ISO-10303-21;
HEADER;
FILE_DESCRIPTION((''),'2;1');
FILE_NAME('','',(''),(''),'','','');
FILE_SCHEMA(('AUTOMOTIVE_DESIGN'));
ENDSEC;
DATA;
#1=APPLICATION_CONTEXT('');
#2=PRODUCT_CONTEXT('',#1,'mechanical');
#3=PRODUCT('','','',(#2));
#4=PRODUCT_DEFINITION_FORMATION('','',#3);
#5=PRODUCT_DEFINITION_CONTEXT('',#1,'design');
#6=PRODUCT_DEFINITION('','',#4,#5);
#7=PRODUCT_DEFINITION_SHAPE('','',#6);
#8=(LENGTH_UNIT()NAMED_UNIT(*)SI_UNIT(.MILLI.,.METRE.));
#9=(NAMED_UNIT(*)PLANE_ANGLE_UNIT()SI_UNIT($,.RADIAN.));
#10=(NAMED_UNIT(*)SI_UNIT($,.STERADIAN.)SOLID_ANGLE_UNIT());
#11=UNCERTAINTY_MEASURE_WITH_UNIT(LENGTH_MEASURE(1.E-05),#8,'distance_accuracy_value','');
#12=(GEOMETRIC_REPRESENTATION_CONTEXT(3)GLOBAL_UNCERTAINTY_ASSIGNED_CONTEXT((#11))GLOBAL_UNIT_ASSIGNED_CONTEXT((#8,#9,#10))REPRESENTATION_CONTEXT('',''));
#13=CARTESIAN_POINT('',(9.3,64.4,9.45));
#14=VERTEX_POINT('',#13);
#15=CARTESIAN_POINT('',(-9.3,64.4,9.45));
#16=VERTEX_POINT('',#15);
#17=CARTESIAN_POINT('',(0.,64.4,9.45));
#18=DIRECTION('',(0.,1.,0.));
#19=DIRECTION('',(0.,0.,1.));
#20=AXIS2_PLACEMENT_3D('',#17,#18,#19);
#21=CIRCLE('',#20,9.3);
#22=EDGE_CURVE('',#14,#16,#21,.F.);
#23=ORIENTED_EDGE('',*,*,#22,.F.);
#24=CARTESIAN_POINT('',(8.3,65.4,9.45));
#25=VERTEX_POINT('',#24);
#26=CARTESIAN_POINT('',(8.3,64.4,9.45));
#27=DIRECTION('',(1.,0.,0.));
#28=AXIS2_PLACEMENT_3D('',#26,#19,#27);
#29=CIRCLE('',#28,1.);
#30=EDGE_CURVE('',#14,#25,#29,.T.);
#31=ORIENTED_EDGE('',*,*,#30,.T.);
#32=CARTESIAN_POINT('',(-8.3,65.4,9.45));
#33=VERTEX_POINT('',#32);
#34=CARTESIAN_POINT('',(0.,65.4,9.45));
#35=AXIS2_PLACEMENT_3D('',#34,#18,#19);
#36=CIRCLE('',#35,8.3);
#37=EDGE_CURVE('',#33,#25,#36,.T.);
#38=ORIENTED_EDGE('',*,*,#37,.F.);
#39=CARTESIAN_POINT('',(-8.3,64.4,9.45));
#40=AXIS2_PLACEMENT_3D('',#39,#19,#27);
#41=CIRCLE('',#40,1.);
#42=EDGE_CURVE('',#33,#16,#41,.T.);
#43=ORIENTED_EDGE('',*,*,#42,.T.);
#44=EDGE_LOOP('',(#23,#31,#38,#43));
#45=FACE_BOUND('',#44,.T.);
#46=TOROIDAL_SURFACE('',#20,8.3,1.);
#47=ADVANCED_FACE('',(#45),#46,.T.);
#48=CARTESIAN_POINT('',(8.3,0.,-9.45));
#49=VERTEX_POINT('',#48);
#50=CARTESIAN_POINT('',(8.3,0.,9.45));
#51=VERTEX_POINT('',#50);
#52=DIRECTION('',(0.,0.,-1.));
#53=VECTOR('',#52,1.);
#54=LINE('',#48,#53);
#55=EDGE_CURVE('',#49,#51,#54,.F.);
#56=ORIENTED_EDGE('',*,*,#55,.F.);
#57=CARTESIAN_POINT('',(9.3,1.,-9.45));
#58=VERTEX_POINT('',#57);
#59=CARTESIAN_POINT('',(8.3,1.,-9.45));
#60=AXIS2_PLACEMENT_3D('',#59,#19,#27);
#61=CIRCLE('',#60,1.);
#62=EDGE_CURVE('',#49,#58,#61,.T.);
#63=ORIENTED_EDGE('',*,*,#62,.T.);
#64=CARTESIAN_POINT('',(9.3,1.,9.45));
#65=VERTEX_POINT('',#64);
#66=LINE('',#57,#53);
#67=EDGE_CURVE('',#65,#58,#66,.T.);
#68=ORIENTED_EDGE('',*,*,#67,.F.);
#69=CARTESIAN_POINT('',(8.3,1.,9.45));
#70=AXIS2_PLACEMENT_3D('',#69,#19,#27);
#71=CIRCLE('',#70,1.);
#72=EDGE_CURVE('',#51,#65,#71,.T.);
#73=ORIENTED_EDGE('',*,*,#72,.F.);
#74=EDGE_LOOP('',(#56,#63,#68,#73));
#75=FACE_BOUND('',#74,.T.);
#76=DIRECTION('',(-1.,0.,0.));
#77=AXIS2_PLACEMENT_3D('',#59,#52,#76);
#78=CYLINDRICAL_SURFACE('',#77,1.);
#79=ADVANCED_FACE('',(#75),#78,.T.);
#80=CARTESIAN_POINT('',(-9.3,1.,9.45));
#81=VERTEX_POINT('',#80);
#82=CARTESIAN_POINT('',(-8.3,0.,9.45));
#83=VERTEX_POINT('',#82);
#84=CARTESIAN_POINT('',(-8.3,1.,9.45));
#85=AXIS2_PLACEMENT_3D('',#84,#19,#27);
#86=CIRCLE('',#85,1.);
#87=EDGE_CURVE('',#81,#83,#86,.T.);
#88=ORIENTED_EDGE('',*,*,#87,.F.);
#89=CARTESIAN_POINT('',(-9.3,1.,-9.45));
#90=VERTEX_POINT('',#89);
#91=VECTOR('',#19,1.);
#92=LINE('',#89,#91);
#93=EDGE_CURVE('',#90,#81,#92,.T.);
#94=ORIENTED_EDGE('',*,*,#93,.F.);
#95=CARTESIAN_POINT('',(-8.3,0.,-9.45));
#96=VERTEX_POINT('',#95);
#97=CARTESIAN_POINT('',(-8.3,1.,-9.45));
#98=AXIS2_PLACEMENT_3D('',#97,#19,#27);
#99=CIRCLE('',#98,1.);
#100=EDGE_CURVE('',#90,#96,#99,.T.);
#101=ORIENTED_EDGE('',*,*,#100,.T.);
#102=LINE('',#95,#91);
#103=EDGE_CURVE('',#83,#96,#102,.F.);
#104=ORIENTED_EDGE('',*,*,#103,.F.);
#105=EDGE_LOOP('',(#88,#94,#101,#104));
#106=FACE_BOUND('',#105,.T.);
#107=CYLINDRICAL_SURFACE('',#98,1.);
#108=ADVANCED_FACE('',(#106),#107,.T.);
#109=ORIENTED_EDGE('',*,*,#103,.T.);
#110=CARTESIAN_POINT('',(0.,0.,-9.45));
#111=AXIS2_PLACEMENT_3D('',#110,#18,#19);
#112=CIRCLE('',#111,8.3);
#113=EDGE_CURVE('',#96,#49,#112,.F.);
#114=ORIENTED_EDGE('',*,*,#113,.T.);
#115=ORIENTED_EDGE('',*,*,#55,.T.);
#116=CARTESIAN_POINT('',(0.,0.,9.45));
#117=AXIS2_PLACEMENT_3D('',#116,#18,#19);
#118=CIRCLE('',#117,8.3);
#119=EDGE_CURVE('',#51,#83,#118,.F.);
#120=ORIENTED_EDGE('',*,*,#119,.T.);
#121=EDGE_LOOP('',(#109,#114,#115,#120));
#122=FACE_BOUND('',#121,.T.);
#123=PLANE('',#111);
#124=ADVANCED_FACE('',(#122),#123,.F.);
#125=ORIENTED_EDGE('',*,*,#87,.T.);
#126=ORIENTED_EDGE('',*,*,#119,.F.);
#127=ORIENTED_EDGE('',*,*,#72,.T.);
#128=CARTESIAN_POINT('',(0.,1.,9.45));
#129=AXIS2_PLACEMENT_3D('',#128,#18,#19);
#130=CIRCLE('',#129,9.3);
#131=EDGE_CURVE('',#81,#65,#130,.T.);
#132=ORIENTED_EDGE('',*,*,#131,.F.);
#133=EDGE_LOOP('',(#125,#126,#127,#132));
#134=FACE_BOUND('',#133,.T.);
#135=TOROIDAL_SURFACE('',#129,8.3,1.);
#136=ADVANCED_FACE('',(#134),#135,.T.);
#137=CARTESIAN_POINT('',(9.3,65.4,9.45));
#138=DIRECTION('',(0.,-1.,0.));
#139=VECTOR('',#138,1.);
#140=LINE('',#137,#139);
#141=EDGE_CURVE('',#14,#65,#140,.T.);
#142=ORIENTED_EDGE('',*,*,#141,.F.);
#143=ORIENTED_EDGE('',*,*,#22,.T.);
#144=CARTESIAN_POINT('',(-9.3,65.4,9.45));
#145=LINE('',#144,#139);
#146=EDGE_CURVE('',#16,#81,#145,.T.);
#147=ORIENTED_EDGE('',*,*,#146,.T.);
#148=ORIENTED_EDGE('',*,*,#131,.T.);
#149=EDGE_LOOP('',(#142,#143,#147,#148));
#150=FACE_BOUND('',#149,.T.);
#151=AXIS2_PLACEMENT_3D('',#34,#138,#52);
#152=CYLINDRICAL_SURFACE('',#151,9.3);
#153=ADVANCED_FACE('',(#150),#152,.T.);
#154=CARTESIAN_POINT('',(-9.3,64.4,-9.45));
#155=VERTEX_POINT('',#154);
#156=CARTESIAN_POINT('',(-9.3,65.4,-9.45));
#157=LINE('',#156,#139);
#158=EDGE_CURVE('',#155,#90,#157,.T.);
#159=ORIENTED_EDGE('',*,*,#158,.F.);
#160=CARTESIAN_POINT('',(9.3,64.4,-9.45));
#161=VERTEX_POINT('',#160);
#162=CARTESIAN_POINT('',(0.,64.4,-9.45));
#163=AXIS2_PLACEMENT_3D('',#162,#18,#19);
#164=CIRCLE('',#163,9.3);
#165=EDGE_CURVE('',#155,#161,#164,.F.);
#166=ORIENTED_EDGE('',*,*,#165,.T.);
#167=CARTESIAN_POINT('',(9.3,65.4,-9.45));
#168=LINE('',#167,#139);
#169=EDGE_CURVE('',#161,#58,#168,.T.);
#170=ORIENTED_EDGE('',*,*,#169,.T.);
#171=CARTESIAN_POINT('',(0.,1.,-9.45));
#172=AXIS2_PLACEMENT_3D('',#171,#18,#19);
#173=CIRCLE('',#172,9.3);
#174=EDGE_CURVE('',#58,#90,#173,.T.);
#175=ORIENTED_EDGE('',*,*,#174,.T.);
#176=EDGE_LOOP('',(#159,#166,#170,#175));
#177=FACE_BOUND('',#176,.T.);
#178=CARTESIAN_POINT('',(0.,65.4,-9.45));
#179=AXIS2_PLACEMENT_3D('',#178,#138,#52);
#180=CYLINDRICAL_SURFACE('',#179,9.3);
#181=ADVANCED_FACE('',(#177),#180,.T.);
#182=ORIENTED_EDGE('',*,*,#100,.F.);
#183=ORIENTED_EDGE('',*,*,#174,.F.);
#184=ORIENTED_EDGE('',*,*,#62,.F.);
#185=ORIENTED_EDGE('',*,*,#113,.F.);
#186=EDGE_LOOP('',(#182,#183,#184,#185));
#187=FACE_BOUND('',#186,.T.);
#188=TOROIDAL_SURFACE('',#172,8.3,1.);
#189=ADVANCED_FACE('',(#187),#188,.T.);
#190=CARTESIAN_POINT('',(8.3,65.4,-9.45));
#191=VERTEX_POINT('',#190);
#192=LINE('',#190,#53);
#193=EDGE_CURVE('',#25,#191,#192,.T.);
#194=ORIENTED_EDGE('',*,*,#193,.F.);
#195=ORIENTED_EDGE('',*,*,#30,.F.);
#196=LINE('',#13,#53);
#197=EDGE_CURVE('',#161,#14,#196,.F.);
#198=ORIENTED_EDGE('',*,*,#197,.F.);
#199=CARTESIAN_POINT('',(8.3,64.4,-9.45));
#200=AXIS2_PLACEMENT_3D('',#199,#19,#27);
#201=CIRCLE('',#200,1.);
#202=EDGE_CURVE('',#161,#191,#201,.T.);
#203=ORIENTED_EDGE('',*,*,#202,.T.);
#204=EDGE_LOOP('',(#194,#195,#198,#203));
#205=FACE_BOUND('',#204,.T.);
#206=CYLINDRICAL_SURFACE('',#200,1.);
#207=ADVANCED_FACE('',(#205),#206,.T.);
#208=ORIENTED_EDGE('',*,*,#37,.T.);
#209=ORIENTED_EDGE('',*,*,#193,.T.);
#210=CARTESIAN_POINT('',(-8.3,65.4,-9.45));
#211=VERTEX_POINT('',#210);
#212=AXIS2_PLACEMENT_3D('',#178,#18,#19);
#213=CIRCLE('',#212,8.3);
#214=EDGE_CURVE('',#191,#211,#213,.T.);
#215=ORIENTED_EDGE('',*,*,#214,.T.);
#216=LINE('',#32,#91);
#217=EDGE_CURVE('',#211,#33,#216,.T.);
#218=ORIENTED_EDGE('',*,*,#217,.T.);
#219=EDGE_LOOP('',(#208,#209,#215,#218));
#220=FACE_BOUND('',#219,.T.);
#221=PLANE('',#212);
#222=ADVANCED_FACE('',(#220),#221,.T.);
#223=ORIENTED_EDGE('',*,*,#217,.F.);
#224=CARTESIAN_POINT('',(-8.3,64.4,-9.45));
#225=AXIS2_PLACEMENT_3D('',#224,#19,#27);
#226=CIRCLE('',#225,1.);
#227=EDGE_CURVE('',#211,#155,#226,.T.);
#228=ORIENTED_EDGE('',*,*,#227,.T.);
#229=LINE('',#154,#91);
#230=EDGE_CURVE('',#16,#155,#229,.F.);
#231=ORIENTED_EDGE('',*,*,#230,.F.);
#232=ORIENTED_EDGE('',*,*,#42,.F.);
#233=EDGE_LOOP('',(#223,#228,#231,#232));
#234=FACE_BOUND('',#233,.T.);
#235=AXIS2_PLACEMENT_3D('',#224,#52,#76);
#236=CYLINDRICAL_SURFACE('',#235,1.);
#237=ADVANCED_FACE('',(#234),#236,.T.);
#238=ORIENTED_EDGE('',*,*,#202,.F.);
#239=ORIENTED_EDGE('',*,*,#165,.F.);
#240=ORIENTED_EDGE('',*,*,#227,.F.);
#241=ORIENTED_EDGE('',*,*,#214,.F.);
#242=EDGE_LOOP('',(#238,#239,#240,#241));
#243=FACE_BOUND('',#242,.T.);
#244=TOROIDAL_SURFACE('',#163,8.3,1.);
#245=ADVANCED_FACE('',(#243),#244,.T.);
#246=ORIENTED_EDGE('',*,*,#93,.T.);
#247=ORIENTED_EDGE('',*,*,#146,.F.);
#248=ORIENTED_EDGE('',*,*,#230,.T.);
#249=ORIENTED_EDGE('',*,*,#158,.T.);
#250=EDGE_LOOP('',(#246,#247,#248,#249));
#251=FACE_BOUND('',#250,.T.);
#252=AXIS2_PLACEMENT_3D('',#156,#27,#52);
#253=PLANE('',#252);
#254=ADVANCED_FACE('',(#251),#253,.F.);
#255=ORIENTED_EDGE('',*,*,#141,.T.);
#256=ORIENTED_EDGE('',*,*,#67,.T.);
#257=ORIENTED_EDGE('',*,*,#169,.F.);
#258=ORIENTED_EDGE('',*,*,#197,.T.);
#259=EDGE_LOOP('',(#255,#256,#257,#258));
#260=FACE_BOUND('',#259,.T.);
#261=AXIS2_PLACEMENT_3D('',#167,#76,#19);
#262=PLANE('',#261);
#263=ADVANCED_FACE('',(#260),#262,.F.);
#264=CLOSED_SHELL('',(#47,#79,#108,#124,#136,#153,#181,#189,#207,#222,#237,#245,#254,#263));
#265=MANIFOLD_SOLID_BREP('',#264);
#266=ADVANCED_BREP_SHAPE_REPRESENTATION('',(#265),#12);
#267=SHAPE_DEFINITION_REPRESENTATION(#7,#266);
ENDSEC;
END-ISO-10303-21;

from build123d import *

# Parameters (mm, degrees)
EXTRUDE_1_DEPTH = 65.4
FILLET_1_R      = 1


with BuildPart() as part:
    # 草图1 → 凸台-拉伸1 (new body)
    with BuildSketch(Plane(origin=(0, 0, 0), x_dir=(1, 0, 0), z_dir=(0, 1, 0))):
        with BuildLine():
            Line((9.3, 9.45), (9.3, -9.45))
            ThreePointArc((9.3, -9.45), (0, -18.75), (-9.3, -9.45))
            Line((-9.3, -9.45), (-9.3, 9.45))
            ThreePointArc((-9.3, 9.45), (0, 18.75), (9.3, 9.45))
        make_face()
    extrude(amount=EXTRUDE_1_DEPTH)

    # 圆角1
    fillet_1_edges = [part.edges().sort_by_distance(p)[0] for p in [
        (0, 65.4, 18.75),
        (9.3, 65.4, 0),
        (0, 65.4, -18.75),
        (9.3, 0, 0),
        (0, 0, 18.75),
        (-9.3, 0, 0),
        (0, 0, -18.75),
        (-9.3, 65.4, 0),
    ]]
    fillet(fillet_1_edges, radius=FILLET_1_R)


solid = part.part
